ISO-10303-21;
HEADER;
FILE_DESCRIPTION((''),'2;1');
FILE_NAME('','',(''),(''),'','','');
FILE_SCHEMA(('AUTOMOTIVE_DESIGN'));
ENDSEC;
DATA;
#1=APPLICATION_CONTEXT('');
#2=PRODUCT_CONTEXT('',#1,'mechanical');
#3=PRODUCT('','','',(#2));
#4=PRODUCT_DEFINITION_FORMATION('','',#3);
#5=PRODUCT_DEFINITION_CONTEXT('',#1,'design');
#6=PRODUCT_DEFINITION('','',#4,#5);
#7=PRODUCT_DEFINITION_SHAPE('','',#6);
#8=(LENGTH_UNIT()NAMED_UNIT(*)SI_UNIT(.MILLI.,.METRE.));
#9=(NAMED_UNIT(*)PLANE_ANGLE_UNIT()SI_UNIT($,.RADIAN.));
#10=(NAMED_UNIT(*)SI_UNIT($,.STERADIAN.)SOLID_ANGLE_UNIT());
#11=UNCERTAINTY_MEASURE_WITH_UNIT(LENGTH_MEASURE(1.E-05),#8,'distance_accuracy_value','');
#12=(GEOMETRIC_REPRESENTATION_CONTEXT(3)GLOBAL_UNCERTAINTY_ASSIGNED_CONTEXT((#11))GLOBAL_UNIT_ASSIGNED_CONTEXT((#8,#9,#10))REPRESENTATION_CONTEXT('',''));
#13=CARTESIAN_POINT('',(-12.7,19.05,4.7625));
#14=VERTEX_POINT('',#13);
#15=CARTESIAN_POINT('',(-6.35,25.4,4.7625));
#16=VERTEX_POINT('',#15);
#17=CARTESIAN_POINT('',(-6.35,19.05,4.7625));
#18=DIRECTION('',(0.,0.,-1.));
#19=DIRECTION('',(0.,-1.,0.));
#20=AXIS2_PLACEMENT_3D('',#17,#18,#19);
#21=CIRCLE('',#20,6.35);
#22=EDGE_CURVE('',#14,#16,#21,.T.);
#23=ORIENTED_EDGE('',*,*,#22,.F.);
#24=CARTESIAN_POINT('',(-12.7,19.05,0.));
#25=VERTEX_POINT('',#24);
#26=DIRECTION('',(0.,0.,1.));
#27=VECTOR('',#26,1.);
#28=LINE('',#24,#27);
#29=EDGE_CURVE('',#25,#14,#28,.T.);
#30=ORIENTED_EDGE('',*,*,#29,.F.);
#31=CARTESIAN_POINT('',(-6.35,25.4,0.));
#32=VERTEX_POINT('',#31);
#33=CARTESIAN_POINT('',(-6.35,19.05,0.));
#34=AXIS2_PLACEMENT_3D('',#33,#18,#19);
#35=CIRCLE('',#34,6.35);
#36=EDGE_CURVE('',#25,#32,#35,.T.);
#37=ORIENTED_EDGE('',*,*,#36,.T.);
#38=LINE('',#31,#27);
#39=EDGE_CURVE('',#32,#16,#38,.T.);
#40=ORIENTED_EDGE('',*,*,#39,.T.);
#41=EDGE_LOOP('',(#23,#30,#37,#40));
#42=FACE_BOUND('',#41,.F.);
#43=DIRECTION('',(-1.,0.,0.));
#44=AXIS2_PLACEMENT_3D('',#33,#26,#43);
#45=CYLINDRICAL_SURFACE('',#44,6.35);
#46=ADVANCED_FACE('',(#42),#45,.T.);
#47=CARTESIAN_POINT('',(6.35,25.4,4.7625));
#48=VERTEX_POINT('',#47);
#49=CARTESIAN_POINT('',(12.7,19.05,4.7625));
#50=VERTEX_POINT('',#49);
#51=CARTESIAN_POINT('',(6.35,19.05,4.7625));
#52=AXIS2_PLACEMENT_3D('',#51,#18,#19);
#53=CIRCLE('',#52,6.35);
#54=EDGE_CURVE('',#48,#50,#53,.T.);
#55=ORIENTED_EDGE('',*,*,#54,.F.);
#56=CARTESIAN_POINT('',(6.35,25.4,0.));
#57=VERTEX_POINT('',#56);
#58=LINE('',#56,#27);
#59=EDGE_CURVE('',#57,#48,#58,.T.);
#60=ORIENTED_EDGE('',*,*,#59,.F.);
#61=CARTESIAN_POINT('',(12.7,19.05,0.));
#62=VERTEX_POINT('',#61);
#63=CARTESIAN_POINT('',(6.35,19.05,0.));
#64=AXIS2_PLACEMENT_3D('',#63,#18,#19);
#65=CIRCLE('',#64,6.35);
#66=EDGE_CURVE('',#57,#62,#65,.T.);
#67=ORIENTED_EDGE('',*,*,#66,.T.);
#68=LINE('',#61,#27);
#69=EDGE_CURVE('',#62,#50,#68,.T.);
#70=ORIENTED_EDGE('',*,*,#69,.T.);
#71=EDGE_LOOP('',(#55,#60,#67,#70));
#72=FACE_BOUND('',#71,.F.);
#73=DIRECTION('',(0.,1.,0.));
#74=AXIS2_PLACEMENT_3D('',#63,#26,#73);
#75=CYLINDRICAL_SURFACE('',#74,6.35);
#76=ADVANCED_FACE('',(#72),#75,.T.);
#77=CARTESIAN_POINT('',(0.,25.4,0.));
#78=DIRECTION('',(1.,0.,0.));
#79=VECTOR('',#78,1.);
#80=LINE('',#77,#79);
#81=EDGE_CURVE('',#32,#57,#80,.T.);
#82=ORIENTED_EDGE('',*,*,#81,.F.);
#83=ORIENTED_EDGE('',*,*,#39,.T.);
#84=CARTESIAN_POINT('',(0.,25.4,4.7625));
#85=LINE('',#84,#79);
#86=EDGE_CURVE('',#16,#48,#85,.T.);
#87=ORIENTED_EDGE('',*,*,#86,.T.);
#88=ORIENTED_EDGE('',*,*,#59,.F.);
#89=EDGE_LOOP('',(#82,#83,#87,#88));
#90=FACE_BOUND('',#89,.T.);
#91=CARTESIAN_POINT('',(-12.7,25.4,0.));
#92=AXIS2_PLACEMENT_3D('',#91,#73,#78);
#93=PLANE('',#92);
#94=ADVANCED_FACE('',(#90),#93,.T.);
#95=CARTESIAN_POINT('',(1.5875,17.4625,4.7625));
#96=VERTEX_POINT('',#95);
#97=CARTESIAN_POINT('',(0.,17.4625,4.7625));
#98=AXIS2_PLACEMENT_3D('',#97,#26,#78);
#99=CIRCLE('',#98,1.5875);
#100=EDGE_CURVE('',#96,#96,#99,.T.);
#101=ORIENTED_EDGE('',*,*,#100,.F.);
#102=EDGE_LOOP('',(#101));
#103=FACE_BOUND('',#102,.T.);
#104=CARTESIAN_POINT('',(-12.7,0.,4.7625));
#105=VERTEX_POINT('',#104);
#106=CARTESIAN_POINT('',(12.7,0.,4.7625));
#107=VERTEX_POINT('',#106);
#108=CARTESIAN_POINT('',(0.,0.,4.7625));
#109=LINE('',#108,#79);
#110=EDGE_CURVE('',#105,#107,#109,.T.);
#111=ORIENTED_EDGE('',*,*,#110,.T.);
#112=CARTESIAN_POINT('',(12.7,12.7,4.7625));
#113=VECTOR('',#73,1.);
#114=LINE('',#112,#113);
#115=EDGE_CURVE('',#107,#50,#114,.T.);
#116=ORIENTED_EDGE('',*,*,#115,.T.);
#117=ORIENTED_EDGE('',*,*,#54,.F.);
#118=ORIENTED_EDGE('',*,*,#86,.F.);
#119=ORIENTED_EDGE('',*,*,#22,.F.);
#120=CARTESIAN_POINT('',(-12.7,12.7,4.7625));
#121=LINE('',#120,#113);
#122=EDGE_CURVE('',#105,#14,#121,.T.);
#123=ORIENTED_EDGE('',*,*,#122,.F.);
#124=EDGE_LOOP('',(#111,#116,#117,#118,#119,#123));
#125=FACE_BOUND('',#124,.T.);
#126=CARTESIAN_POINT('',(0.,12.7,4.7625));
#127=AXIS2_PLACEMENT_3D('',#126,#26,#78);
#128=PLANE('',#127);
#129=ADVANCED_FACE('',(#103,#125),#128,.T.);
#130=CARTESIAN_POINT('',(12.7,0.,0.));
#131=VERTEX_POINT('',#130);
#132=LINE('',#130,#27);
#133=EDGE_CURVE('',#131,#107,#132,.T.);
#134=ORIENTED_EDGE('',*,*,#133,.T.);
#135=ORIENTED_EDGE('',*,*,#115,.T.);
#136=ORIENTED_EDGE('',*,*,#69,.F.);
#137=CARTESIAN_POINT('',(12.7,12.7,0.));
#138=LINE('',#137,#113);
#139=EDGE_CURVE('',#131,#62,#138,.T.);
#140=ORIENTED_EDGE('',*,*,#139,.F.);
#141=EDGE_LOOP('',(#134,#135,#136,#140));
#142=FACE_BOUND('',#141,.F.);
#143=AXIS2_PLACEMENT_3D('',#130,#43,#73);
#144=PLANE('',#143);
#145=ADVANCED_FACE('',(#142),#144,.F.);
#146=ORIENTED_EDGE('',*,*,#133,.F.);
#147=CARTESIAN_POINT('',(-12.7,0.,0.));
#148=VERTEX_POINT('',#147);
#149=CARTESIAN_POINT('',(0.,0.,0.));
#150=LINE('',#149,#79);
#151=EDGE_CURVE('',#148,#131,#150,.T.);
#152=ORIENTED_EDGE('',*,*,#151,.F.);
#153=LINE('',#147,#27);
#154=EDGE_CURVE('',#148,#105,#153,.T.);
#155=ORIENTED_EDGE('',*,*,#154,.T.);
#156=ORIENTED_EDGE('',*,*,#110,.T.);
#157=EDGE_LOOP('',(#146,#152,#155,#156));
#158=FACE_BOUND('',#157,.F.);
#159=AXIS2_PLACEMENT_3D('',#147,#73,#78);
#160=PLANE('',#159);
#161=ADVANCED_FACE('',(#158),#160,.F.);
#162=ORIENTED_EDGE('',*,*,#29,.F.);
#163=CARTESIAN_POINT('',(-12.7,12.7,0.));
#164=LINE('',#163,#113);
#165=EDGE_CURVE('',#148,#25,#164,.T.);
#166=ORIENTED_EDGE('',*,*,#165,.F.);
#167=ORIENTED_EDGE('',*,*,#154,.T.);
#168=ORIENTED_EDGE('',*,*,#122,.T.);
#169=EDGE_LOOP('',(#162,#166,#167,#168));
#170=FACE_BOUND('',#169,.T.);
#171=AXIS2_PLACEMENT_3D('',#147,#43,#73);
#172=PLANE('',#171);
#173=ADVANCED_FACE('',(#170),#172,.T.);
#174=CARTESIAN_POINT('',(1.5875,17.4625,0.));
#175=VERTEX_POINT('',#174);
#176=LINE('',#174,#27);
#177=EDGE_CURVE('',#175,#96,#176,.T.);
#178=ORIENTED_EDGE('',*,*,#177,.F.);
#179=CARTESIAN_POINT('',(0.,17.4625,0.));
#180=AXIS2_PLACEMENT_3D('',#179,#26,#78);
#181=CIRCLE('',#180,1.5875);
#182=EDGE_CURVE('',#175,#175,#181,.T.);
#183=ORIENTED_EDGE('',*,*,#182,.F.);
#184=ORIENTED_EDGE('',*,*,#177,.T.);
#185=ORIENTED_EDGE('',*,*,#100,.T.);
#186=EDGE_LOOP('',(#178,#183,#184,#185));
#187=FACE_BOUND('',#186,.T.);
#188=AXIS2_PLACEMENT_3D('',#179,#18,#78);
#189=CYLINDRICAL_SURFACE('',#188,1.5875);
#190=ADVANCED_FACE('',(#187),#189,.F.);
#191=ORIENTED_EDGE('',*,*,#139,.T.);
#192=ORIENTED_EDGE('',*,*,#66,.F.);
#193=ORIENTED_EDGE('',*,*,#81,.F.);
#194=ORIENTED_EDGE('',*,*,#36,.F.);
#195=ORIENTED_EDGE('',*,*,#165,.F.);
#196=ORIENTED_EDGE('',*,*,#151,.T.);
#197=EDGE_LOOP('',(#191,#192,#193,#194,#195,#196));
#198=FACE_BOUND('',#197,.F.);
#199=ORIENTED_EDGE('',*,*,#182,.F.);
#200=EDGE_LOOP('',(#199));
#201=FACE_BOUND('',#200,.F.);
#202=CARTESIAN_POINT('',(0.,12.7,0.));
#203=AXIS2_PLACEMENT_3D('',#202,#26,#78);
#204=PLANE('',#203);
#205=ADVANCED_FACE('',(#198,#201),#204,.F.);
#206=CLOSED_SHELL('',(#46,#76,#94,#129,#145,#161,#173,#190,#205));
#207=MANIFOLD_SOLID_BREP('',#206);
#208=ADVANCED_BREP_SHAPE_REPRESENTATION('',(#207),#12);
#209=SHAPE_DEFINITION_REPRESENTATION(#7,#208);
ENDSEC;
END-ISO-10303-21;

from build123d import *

# Parameters (mm, degrees)
F0_W     = 25.4
F0_H     = 25.4
F0_R     = 1.5875
F1_DEPTH = 4.7625
F2_R     = 6.35


with BuildPart() as f1:
    # F0 (on Top) → F1 (new body)
    with BuildSketch(Plane.XY):
        with Locations((0, 12.7)):
            Rectangle(F0_W, F0_H)
        with Locations((0, 17.4625)):
            Circle(F0_R, mode=Mode.SUBTRACT)
    extrude(amount=F1_DEPTH)

    # F2
    f2_edges = [f1.edges().sort_by_distance(p)[0] for p in [
        (-12.7, 25.4, 2.38125),
        (12.7, 25.4, 2.38125),
    ]]
    fillet(f2_edges, radius=F2_R)


solid = f1.part
